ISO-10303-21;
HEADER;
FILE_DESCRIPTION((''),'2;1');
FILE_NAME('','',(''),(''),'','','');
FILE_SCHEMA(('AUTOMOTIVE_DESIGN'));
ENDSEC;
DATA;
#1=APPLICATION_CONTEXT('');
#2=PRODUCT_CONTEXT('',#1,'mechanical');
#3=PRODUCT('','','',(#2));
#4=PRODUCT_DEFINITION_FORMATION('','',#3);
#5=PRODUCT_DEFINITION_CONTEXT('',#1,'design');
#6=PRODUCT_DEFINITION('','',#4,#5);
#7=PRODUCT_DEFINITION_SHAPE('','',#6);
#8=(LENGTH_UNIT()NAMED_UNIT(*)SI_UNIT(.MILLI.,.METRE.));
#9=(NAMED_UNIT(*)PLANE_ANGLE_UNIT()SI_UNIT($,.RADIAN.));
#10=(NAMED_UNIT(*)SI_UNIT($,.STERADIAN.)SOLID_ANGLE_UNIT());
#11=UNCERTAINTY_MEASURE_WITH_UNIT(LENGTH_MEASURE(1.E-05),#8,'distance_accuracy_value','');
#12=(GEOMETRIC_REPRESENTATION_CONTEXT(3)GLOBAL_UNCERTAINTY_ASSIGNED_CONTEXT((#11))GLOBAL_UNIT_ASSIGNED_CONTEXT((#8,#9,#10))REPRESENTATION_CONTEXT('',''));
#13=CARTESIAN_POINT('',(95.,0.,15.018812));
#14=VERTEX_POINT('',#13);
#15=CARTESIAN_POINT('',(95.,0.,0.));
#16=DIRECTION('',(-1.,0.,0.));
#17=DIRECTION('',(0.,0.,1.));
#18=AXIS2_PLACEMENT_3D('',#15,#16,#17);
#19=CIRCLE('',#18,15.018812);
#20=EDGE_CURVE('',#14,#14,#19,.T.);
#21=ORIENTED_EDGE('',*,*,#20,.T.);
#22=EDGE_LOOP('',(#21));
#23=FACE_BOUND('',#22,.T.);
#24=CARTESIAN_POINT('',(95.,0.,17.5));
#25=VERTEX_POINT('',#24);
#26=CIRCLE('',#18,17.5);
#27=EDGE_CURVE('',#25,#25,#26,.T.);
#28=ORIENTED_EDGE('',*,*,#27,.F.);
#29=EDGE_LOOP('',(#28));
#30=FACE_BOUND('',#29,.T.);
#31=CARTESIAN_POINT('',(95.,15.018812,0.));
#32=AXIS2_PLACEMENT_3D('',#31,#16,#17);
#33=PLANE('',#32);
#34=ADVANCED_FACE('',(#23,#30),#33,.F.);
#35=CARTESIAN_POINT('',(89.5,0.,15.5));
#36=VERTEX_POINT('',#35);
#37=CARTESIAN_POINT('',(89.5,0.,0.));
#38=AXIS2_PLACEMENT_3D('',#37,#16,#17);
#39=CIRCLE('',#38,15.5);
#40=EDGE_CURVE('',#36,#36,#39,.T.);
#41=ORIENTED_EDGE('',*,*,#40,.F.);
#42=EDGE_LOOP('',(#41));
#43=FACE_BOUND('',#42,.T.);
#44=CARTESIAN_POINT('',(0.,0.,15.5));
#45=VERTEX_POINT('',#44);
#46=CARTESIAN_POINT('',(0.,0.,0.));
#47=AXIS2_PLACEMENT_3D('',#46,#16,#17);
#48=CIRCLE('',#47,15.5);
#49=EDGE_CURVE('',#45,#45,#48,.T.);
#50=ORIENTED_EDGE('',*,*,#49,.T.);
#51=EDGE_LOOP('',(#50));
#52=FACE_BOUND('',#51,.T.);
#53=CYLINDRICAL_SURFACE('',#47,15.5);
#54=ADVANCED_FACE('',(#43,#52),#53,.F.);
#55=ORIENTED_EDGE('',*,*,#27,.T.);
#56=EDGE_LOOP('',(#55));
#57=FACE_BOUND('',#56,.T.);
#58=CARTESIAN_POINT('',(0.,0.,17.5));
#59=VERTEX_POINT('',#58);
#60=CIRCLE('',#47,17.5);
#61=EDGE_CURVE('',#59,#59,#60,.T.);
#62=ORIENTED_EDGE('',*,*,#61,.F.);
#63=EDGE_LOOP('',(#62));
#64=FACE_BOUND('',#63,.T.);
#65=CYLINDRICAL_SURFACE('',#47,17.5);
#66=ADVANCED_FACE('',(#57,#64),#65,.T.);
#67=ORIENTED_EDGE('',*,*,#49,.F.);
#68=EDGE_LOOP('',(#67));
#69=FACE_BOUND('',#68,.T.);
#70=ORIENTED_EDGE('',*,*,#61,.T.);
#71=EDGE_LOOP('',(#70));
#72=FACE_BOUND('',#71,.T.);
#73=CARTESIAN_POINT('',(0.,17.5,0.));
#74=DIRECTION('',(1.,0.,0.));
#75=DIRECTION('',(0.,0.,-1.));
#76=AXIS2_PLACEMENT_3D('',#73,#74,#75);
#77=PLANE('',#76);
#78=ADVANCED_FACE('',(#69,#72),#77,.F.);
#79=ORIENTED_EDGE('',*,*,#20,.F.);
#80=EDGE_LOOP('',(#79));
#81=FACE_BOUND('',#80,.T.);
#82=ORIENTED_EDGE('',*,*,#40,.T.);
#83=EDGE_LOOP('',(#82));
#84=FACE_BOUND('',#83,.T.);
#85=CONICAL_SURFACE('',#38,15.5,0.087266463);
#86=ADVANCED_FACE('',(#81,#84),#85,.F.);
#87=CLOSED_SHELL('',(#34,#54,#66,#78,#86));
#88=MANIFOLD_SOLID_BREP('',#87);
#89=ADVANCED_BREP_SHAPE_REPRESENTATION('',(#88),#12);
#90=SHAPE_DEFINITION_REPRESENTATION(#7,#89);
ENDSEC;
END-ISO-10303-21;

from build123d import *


with BuildPart() as part:
    # Sketch1 → Revolve1 (revolve)
    with BuildSketch(Plane.XY, mode=Mode.PRIVATE) as revolve1_sk:
        Polygon((0, 17.5), (95, 17.5), (95, 15.018812351), (89.5, 15.5), (0, 15.5), align=None)
    revolve(revolve1_sk.sketch.rotate(Axis((0, 0, 0), (1, 0, 0)), 90), axis=Axis((0, 0, 0), (1, 0, 0)))


solid = part.part
